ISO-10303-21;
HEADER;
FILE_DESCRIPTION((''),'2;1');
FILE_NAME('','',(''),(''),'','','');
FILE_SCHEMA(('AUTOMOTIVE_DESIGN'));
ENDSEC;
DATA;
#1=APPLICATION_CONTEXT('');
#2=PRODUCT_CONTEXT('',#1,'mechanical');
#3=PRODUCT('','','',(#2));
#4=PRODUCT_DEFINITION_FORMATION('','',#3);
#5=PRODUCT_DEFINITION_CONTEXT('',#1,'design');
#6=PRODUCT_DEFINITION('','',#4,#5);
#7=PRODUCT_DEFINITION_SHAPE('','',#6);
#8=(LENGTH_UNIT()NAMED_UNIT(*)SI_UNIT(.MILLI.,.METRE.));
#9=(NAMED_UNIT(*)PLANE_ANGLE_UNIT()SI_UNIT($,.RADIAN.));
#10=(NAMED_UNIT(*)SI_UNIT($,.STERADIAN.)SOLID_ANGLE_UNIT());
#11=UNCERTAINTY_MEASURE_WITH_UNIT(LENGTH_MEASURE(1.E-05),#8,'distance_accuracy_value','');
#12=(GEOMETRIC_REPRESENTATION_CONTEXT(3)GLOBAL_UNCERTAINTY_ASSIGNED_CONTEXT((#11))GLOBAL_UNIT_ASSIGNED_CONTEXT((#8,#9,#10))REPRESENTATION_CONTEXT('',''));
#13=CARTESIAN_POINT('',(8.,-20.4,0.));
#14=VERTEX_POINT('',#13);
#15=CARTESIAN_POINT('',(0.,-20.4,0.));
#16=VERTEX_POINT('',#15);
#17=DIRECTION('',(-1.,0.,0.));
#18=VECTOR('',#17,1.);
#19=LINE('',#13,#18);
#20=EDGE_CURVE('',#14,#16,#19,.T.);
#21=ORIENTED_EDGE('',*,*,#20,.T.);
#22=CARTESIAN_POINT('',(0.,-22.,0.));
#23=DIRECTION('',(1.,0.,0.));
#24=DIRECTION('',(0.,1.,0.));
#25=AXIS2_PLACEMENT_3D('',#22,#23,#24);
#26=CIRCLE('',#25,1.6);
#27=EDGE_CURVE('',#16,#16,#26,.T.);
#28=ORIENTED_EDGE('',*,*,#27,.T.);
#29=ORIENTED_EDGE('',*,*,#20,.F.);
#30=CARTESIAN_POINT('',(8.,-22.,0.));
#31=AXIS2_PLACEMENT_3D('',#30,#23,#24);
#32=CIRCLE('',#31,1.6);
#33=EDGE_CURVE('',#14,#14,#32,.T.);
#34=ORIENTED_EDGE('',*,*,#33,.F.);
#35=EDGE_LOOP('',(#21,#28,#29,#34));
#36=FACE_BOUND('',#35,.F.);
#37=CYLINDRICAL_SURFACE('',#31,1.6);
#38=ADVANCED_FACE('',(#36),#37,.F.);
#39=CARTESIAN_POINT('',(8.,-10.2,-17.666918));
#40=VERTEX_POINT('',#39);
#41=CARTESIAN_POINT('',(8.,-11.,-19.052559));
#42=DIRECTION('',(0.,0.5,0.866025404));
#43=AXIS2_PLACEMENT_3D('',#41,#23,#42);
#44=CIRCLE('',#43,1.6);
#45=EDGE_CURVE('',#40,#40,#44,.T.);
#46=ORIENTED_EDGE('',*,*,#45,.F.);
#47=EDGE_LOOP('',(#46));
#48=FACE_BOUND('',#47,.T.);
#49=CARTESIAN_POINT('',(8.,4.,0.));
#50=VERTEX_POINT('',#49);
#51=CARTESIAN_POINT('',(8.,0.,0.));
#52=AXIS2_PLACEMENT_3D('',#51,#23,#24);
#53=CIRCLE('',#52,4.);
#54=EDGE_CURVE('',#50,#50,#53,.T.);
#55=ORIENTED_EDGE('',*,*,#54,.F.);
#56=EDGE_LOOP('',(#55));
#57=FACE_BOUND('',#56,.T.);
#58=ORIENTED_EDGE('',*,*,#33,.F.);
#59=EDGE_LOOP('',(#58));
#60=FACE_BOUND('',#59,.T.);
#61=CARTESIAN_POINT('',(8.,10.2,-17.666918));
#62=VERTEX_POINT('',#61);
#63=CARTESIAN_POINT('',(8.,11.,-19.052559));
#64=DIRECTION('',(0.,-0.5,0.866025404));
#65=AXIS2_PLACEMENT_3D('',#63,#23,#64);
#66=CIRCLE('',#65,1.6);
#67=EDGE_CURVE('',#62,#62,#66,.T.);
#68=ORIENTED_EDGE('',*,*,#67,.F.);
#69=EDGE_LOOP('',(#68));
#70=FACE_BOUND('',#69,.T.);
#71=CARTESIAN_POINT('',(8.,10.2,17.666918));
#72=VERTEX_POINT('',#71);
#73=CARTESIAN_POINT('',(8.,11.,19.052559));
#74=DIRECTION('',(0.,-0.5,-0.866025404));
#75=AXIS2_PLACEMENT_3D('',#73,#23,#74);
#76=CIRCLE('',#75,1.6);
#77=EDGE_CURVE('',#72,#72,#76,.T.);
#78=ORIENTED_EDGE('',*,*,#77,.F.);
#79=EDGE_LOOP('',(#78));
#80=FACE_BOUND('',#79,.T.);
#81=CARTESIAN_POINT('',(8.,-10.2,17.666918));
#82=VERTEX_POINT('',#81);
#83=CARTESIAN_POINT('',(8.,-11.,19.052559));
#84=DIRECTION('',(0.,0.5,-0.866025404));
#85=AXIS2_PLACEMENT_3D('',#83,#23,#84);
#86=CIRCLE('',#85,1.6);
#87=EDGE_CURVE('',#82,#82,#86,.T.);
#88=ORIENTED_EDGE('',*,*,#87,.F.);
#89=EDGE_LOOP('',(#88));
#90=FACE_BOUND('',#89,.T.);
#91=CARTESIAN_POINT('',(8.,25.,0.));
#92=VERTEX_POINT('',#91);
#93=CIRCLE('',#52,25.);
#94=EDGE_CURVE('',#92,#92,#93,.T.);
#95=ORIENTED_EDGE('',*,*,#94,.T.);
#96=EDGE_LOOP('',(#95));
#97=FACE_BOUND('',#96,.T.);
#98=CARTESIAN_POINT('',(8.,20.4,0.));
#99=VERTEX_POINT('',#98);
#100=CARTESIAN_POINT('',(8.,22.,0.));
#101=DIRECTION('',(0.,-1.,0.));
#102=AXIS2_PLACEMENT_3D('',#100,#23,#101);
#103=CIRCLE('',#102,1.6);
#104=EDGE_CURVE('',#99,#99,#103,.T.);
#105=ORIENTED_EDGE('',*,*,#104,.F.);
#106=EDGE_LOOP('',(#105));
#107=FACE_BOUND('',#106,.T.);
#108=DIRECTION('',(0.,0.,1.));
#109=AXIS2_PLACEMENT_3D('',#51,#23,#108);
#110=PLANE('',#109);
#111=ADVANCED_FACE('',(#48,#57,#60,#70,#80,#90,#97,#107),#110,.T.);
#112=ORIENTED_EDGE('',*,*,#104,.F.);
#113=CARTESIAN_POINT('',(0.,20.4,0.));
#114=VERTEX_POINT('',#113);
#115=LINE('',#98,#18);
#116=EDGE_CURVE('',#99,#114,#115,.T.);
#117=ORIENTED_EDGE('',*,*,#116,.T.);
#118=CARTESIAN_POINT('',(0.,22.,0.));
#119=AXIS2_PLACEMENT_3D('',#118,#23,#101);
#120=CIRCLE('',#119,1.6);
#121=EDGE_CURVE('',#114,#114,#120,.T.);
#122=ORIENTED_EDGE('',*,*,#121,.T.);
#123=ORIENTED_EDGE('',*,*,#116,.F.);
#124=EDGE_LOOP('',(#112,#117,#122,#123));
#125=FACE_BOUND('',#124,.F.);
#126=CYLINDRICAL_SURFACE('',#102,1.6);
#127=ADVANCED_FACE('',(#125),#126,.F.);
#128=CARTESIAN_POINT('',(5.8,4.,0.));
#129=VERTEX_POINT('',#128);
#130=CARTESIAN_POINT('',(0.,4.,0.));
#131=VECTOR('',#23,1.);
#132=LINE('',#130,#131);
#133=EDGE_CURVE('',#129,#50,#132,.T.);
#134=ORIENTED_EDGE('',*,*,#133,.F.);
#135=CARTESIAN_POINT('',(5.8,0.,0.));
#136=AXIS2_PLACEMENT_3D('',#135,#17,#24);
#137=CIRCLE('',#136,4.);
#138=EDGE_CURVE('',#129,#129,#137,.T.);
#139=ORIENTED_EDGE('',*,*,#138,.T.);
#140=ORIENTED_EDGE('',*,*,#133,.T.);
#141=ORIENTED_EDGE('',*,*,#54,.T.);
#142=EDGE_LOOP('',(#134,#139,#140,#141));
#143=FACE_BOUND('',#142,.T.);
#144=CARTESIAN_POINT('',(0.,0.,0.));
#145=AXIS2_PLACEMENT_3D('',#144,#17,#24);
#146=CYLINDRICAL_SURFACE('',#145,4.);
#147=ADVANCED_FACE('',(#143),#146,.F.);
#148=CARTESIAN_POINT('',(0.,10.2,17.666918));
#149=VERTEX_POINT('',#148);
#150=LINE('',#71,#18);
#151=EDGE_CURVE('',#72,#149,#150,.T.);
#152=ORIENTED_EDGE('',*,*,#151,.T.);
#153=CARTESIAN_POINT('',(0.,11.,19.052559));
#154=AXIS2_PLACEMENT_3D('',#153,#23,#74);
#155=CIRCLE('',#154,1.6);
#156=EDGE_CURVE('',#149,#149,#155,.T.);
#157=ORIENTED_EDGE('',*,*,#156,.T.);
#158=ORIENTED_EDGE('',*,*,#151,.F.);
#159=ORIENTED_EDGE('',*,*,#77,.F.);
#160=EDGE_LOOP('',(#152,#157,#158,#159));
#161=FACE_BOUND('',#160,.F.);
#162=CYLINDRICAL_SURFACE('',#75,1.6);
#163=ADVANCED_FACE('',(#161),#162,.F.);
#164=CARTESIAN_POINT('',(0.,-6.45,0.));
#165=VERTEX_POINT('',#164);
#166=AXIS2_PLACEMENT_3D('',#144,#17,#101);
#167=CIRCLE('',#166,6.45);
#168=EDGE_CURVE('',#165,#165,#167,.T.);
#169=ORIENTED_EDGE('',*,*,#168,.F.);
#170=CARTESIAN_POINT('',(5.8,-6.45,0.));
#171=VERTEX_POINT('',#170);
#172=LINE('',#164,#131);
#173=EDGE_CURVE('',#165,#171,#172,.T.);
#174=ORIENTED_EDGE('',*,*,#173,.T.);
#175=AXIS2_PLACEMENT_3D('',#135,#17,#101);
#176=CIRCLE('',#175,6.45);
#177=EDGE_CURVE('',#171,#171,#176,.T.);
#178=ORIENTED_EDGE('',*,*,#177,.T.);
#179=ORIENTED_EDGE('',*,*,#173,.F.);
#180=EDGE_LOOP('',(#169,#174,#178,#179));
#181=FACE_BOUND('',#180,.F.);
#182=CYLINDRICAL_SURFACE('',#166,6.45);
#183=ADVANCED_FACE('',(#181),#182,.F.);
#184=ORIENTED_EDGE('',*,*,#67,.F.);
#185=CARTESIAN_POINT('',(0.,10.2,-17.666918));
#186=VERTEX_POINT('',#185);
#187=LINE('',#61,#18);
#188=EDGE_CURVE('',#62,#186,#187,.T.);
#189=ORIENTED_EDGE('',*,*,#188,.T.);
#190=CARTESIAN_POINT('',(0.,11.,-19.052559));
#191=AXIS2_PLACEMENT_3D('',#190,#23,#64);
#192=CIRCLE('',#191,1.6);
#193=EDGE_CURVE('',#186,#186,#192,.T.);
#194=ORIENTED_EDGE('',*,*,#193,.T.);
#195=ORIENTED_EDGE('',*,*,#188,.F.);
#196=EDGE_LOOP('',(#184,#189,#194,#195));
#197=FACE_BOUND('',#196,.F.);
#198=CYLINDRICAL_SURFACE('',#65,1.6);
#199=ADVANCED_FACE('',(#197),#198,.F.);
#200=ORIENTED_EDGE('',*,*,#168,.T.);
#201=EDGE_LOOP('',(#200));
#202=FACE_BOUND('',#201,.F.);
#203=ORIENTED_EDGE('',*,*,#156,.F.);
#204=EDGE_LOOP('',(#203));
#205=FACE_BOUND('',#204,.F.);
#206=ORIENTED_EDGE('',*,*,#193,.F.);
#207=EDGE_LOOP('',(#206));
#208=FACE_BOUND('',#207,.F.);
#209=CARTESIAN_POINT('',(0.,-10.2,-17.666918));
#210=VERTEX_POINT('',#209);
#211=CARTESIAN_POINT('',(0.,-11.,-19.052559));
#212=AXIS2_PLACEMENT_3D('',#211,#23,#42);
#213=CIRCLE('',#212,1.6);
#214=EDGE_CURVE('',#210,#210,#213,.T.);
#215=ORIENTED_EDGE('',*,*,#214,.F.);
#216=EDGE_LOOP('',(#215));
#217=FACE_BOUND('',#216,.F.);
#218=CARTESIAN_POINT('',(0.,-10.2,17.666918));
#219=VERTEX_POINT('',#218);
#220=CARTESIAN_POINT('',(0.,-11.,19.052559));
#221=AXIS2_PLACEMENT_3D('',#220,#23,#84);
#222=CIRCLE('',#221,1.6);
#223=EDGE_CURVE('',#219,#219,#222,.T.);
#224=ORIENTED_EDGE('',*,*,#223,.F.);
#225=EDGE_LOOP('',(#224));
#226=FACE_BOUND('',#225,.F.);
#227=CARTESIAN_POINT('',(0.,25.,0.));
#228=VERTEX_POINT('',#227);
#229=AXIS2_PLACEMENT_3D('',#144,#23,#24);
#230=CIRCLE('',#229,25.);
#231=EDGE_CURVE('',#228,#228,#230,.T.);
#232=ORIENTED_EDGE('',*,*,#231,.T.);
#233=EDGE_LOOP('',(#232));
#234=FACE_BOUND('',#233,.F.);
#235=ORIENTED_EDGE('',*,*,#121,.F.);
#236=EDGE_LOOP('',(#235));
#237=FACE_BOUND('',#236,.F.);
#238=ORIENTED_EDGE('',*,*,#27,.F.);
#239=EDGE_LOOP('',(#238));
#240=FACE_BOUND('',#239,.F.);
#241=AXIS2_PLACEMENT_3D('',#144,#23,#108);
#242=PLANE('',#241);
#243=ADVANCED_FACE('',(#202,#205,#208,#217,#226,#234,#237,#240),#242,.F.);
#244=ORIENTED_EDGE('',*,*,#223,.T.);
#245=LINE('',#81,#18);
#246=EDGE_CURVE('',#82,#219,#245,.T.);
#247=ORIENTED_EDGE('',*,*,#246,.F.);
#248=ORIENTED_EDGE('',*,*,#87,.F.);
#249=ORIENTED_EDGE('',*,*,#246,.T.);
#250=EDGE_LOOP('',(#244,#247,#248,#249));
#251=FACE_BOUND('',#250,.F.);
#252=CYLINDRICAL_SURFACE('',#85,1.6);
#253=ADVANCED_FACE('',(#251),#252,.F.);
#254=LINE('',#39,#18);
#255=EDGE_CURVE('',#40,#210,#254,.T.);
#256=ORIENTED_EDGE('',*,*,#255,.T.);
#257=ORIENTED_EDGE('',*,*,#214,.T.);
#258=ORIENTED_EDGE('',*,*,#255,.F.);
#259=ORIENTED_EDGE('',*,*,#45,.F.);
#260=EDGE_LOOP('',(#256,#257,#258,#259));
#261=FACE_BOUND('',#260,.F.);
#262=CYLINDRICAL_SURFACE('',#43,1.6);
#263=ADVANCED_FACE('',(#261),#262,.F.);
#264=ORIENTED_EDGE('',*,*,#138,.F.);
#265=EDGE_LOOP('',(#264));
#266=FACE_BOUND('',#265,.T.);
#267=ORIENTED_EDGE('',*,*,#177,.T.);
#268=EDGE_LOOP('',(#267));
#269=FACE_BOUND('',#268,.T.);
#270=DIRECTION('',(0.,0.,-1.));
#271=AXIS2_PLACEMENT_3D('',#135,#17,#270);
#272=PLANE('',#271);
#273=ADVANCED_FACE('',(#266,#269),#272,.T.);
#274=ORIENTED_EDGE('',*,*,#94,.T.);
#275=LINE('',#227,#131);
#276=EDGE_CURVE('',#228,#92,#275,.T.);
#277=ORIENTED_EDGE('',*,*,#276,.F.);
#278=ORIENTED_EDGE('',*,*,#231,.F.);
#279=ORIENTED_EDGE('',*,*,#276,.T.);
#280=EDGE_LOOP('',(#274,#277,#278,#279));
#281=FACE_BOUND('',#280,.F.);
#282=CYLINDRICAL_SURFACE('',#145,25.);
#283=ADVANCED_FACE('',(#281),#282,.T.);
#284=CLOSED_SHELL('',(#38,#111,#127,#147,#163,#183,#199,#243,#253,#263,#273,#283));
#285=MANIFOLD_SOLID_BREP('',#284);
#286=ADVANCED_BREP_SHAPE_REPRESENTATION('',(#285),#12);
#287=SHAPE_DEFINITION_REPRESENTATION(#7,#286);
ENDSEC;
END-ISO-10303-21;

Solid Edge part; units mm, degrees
sketch "Sketch1" plane through (0, 0, 0) normal (1, 0, 0) x (0, 1, 0)
  circle A0 centre (0, 0) radius 4
  circle A1 centre (0, 0) radius 25
extrude "Protrusion1" add sketch "Sketch1" along normal blind 8
sketch "Sketch2" plane through (0, 0, 0) normal (-1, 0, 0) x (0, -1, 0)
  circle A0 centre (0, 0) radius 6.45
extrude "ExtrudedCutout_1" cut sketch "Sketch2" against normal blind 5.8
sketch "Sketch3" plane through (8, 0, 0) normal (1, 0, 0) x (0, 1, 0)
  circle A0 centre (-22, 0) radius 1.6
  dimension "D1" = 22
extrude "Cutout1" cut sketch "Sketch3" against normal up to next
pattern_circular "Pattern1" count 6 over 360 about axis through (8, 0, 0) along (-1, 0, 0) of "Cutout1"
